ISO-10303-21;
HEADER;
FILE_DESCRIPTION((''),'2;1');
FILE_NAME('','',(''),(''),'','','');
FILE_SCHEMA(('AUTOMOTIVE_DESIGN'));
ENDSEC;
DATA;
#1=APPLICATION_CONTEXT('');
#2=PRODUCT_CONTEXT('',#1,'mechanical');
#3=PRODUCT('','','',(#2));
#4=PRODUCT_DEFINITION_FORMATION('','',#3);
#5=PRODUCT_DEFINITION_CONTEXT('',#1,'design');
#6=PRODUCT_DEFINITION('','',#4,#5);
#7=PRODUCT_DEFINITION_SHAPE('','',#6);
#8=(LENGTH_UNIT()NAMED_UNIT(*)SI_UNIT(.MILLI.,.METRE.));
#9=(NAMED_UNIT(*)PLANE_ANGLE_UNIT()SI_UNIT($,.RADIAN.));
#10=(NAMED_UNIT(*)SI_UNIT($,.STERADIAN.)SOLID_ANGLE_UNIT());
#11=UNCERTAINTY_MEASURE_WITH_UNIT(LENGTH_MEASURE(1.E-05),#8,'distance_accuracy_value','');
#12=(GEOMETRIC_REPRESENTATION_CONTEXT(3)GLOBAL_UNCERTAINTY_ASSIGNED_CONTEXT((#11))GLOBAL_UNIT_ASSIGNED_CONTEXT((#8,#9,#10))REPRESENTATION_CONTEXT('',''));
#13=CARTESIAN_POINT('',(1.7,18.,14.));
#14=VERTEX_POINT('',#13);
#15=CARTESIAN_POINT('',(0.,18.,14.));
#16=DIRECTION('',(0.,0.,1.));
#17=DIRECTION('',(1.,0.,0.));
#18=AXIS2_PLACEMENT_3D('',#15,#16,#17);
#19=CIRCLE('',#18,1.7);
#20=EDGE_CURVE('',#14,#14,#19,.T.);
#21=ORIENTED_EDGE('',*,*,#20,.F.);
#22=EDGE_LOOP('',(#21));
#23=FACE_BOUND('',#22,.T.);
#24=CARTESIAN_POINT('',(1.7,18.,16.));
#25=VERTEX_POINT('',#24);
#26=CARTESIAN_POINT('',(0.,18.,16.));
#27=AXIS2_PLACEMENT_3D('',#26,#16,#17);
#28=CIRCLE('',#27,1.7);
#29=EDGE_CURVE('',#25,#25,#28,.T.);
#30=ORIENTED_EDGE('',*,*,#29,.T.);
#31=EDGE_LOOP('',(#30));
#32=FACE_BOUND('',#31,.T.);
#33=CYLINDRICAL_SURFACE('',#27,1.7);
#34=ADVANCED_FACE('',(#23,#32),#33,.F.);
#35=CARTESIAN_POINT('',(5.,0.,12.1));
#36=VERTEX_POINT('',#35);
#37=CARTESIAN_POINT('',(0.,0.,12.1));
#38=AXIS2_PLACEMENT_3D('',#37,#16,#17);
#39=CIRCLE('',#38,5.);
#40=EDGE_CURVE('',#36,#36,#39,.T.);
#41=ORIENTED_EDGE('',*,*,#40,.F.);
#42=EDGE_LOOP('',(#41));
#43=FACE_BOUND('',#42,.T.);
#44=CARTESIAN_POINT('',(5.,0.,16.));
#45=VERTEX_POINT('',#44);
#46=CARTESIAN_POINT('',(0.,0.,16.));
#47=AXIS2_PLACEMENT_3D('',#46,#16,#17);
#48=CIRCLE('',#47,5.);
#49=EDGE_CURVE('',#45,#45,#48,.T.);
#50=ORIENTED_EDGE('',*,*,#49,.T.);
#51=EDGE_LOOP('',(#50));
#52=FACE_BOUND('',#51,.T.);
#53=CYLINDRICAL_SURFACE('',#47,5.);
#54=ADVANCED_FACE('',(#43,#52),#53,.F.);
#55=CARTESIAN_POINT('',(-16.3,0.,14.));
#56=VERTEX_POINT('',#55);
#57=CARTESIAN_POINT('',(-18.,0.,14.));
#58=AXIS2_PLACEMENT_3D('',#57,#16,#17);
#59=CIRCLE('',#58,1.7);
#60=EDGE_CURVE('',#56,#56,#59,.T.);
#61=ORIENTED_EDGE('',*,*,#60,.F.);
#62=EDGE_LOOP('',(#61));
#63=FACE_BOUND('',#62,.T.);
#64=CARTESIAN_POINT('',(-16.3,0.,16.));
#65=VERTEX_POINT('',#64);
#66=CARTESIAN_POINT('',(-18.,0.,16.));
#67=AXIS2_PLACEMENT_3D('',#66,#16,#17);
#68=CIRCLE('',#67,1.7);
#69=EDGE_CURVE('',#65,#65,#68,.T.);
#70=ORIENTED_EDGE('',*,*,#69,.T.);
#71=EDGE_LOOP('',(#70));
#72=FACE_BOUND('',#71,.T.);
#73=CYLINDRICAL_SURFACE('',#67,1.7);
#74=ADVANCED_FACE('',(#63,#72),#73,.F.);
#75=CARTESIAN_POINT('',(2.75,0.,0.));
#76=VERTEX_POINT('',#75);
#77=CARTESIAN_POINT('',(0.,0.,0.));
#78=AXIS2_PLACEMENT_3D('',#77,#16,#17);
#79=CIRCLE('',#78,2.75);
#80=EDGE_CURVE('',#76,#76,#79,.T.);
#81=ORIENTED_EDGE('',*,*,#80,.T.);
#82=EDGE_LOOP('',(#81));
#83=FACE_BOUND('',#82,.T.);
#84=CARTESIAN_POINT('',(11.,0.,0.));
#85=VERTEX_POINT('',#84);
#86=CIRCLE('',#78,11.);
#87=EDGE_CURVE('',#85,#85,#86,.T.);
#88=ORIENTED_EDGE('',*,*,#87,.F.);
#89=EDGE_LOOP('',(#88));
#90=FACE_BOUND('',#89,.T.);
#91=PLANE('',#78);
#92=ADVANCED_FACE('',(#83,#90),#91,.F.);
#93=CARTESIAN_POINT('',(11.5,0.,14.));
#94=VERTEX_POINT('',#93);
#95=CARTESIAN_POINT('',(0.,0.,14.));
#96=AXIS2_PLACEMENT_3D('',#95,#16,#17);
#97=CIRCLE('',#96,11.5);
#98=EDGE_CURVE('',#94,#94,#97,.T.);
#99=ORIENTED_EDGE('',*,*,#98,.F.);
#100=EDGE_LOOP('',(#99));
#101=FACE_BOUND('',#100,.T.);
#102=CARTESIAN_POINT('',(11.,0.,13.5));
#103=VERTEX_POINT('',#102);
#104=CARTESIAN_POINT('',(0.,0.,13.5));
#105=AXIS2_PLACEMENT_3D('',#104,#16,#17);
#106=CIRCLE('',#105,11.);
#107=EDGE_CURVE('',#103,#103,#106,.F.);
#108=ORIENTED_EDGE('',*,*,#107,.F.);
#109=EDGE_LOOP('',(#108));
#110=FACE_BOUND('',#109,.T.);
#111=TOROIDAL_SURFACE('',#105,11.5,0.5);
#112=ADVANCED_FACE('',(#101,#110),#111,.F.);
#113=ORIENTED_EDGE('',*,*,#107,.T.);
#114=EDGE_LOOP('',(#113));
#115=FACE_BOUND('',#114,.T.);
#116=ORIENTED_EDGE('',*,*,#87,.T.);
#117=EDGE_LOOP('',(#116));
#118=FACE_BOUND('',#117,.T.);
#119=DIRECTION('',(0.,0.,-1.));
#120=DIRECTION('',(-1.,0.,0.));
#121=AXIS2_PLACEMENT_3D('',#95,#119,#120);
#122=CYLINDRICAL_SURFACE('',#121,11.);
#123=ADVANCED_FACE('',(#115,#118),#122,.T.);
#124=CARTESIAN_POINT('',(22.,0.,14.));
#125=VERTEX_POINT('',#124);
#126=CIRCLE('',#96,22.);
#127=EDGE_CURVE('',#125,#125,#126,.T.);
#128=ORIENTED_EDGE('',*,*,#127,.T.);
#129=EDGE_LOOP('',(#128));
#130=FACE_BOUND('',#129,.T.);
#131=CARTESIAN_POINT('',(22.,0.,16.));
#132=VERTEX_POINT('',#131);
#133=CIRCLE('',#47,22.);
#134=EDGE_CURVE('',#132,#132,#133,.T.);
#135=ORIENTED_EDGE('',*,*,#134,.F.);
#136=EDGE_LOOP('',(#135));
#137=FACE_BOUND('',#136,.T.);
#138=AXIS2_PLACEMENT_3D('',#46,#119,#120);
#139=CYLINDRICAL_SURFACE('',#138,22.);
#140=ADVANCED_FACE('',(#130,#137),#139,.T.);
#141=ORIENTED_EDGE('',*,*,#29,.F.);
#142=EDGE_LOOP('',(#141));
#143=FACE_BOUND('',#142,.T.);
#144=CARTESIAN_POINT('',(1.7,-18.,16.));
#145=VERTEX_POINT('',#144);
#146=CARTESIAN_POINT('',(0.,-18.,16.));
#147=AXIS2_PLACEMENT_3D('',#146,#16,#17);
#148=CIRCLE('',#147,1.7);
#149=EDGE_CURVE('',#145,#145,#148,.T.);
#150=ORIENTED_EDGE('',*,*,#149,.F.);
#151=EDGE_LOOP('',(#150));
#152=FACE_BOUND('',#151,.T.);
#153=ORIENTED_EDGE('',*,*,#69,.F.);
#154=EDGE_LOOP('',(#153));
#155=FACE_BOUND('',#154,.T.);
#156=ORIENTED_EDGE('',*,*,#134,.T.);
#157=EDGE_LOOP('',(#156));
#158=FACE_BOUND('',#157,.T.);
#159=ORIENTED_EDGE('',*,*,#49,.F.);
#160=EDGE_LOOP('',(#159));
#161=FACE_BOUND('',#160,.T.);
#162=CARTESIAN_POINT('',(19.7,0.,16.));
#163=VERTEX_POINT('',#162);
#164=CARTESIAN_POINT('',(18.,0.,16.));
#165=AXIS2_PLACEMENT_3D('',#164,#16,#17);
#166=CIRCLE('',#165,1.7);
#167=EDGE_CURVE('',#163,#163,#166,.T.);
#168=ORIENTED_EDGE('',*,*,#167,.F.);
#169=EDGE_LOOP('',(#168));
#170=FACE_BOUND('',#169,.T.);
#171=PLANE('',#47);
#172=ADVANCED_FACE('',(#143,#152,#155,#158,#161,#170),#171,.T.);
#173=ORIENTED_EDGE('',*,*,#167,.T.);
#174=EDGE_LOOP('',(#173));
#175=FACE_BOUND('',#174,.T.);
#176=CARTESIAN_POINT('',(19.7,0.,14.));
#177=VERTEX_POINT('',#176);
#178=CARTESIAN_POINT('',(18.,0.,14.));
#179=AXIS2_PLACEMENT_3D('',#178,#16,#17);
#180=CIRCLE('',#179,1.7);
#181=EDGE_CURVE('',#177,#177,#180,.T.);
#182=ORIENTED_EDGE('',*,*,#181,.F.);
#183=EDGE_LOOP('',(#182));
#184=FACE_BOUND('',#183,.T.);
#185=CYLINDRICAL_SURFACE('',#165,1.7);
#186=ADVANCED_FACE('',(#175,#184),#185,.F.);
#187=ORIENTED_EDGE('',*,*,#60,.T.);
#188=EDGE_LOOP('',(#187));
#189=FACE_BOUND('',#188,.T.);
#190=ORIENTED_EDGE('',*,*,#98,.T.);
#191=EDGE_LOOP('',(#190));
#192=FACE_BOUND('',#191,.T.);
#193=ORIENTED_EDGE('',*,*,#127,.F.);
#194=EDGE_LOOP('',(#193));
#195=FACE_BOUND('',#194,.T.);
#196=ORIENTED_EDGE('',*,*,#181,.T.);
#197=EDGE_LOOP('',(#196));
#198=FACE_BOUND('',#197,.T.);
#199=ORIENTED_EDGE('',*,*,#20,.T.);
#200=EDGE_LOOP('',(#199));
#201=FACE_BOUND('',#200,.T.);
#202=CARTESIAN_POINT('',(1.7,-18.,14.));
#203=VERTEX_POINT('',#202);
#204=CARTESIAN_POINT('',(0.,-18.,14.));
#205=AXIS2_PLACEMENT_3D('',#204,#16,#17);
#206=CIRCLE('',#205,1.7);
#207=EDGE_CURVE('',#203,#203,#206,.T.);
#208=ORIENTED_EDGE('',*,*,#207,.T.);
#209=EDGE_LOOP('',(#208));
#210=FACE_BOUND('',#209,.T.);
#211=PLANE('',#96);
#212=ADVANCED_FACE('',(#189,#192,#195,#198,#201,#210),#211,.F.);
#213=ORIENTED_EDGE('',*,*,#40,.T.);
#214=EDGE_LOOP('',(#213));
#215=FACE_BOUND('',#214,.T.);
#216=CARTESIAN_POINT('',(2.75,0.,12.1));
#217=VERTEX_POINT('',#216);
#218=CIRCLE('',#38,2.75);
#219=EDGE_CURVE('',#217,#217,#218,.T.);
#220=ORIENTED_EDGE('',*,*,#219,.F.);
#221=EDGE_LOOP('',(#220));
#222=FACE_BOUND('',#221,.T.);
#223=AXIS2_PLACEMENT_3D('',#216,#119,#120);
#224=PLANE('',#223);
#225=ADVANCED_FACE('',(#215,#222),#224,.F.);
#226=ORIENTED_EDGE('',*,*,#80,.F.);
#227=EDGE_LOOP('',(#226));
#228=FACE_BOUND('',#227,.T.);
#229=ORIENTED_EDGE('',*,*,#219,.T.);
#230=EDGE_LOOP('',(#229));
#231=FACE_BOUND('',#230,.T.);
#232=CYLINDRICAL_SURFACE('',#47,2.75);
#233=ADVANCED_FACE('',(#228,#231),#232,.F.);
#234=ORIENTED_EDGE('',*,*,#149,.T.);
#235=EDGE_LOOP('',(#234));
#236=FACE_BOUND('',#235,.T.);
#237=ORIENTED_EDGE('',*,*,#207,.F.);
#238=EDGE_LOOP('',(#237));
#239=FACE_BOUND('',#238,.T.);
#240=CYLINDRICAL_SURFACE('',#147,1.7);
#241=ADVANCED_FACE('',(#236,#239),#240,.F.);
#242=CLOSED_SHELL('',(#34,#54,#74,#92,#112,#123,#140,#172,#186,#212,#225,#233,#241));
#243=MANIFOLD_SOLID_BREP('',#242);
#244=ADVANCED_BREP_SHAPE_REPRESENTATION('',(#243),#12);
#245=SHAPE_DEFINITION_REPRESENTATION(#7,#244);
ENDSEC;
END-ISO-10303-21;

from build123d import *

# Parameters (mm, degrees)
SKETCH1_R                                            = 11
BOSS_EXTRUDE1_DEPTH                                  = 14
SKETCH2_R                                            = 22
BOSS_EXTRUDE2_DEPTH                                  = 2
M3_CLEARANCE_HOLE1_D                                 = 3.4
CBORE_FOR_M5_HEX_SOCKET_THIN_HEAD_CAP_SC_D           = 5.5
CBORE_FOR_M5_HEX_SOCKET_THIN_HEAD_CAP_SC_CBORE_D     = 10
CBORE_FOR_M5_HEX_SOCKET_THIN_HEAD_CAP_SC_CBORE_DEPTH = 3.9
FILLET1_R                                            = 0.5


with BuildPart() as part:
    # Sketch1 → Boss-Extrude1 (new body)
    with BuildSketch(Plane.XY):
        Circle(SKETCH1_R)
    extrude(amount=BOSS_EXTRUDE1_DEPTH)

    # Sketch2 → Boss-Extrude2 (add)
    with BuildSketch(Plane.XY.offset(14)):
        Circle(SKETCH2_R)
    extrude(amount=BOSS_EXTRUDE2_DEPTH)

    # M3 Clearance Hole1 (through all)
    with Locations(Plane.XY.offset(16)):
        with Locations((-18, 0), (0, 18), (18, 0), (0, -18)):
            Hole(M3_CLEARANCE_HOLE1_D / 2)

    # CBORE for M5 Hex Socket Thin Head Cap Screw1 (through all)
    with Locations(Plane.XY.offset(16)):
        with Locations((0, 0)):
            CounterBoreHole(CBORE_FOR_M5_HEX_SOCKET_THIN_HEAD_CAP_SC_D / 2, CBORE_FOR_M5_HEX_SOCKET_THIN_HEAD_CAP_SC_CBORE_D / 2, CBORE_FOR_M5_HEX_SOCKET_THIN_HEAD_CAP_SC_CBORE_DEPTH)

    # Fillet1
    fillet1_edges = [part.edges().sort_by_distance(p)[0] for p in [
        (-11, 0, 14),
    ]]
    fillet(fillet1_edges, radius=FILLET1_R)


solid = part.part
